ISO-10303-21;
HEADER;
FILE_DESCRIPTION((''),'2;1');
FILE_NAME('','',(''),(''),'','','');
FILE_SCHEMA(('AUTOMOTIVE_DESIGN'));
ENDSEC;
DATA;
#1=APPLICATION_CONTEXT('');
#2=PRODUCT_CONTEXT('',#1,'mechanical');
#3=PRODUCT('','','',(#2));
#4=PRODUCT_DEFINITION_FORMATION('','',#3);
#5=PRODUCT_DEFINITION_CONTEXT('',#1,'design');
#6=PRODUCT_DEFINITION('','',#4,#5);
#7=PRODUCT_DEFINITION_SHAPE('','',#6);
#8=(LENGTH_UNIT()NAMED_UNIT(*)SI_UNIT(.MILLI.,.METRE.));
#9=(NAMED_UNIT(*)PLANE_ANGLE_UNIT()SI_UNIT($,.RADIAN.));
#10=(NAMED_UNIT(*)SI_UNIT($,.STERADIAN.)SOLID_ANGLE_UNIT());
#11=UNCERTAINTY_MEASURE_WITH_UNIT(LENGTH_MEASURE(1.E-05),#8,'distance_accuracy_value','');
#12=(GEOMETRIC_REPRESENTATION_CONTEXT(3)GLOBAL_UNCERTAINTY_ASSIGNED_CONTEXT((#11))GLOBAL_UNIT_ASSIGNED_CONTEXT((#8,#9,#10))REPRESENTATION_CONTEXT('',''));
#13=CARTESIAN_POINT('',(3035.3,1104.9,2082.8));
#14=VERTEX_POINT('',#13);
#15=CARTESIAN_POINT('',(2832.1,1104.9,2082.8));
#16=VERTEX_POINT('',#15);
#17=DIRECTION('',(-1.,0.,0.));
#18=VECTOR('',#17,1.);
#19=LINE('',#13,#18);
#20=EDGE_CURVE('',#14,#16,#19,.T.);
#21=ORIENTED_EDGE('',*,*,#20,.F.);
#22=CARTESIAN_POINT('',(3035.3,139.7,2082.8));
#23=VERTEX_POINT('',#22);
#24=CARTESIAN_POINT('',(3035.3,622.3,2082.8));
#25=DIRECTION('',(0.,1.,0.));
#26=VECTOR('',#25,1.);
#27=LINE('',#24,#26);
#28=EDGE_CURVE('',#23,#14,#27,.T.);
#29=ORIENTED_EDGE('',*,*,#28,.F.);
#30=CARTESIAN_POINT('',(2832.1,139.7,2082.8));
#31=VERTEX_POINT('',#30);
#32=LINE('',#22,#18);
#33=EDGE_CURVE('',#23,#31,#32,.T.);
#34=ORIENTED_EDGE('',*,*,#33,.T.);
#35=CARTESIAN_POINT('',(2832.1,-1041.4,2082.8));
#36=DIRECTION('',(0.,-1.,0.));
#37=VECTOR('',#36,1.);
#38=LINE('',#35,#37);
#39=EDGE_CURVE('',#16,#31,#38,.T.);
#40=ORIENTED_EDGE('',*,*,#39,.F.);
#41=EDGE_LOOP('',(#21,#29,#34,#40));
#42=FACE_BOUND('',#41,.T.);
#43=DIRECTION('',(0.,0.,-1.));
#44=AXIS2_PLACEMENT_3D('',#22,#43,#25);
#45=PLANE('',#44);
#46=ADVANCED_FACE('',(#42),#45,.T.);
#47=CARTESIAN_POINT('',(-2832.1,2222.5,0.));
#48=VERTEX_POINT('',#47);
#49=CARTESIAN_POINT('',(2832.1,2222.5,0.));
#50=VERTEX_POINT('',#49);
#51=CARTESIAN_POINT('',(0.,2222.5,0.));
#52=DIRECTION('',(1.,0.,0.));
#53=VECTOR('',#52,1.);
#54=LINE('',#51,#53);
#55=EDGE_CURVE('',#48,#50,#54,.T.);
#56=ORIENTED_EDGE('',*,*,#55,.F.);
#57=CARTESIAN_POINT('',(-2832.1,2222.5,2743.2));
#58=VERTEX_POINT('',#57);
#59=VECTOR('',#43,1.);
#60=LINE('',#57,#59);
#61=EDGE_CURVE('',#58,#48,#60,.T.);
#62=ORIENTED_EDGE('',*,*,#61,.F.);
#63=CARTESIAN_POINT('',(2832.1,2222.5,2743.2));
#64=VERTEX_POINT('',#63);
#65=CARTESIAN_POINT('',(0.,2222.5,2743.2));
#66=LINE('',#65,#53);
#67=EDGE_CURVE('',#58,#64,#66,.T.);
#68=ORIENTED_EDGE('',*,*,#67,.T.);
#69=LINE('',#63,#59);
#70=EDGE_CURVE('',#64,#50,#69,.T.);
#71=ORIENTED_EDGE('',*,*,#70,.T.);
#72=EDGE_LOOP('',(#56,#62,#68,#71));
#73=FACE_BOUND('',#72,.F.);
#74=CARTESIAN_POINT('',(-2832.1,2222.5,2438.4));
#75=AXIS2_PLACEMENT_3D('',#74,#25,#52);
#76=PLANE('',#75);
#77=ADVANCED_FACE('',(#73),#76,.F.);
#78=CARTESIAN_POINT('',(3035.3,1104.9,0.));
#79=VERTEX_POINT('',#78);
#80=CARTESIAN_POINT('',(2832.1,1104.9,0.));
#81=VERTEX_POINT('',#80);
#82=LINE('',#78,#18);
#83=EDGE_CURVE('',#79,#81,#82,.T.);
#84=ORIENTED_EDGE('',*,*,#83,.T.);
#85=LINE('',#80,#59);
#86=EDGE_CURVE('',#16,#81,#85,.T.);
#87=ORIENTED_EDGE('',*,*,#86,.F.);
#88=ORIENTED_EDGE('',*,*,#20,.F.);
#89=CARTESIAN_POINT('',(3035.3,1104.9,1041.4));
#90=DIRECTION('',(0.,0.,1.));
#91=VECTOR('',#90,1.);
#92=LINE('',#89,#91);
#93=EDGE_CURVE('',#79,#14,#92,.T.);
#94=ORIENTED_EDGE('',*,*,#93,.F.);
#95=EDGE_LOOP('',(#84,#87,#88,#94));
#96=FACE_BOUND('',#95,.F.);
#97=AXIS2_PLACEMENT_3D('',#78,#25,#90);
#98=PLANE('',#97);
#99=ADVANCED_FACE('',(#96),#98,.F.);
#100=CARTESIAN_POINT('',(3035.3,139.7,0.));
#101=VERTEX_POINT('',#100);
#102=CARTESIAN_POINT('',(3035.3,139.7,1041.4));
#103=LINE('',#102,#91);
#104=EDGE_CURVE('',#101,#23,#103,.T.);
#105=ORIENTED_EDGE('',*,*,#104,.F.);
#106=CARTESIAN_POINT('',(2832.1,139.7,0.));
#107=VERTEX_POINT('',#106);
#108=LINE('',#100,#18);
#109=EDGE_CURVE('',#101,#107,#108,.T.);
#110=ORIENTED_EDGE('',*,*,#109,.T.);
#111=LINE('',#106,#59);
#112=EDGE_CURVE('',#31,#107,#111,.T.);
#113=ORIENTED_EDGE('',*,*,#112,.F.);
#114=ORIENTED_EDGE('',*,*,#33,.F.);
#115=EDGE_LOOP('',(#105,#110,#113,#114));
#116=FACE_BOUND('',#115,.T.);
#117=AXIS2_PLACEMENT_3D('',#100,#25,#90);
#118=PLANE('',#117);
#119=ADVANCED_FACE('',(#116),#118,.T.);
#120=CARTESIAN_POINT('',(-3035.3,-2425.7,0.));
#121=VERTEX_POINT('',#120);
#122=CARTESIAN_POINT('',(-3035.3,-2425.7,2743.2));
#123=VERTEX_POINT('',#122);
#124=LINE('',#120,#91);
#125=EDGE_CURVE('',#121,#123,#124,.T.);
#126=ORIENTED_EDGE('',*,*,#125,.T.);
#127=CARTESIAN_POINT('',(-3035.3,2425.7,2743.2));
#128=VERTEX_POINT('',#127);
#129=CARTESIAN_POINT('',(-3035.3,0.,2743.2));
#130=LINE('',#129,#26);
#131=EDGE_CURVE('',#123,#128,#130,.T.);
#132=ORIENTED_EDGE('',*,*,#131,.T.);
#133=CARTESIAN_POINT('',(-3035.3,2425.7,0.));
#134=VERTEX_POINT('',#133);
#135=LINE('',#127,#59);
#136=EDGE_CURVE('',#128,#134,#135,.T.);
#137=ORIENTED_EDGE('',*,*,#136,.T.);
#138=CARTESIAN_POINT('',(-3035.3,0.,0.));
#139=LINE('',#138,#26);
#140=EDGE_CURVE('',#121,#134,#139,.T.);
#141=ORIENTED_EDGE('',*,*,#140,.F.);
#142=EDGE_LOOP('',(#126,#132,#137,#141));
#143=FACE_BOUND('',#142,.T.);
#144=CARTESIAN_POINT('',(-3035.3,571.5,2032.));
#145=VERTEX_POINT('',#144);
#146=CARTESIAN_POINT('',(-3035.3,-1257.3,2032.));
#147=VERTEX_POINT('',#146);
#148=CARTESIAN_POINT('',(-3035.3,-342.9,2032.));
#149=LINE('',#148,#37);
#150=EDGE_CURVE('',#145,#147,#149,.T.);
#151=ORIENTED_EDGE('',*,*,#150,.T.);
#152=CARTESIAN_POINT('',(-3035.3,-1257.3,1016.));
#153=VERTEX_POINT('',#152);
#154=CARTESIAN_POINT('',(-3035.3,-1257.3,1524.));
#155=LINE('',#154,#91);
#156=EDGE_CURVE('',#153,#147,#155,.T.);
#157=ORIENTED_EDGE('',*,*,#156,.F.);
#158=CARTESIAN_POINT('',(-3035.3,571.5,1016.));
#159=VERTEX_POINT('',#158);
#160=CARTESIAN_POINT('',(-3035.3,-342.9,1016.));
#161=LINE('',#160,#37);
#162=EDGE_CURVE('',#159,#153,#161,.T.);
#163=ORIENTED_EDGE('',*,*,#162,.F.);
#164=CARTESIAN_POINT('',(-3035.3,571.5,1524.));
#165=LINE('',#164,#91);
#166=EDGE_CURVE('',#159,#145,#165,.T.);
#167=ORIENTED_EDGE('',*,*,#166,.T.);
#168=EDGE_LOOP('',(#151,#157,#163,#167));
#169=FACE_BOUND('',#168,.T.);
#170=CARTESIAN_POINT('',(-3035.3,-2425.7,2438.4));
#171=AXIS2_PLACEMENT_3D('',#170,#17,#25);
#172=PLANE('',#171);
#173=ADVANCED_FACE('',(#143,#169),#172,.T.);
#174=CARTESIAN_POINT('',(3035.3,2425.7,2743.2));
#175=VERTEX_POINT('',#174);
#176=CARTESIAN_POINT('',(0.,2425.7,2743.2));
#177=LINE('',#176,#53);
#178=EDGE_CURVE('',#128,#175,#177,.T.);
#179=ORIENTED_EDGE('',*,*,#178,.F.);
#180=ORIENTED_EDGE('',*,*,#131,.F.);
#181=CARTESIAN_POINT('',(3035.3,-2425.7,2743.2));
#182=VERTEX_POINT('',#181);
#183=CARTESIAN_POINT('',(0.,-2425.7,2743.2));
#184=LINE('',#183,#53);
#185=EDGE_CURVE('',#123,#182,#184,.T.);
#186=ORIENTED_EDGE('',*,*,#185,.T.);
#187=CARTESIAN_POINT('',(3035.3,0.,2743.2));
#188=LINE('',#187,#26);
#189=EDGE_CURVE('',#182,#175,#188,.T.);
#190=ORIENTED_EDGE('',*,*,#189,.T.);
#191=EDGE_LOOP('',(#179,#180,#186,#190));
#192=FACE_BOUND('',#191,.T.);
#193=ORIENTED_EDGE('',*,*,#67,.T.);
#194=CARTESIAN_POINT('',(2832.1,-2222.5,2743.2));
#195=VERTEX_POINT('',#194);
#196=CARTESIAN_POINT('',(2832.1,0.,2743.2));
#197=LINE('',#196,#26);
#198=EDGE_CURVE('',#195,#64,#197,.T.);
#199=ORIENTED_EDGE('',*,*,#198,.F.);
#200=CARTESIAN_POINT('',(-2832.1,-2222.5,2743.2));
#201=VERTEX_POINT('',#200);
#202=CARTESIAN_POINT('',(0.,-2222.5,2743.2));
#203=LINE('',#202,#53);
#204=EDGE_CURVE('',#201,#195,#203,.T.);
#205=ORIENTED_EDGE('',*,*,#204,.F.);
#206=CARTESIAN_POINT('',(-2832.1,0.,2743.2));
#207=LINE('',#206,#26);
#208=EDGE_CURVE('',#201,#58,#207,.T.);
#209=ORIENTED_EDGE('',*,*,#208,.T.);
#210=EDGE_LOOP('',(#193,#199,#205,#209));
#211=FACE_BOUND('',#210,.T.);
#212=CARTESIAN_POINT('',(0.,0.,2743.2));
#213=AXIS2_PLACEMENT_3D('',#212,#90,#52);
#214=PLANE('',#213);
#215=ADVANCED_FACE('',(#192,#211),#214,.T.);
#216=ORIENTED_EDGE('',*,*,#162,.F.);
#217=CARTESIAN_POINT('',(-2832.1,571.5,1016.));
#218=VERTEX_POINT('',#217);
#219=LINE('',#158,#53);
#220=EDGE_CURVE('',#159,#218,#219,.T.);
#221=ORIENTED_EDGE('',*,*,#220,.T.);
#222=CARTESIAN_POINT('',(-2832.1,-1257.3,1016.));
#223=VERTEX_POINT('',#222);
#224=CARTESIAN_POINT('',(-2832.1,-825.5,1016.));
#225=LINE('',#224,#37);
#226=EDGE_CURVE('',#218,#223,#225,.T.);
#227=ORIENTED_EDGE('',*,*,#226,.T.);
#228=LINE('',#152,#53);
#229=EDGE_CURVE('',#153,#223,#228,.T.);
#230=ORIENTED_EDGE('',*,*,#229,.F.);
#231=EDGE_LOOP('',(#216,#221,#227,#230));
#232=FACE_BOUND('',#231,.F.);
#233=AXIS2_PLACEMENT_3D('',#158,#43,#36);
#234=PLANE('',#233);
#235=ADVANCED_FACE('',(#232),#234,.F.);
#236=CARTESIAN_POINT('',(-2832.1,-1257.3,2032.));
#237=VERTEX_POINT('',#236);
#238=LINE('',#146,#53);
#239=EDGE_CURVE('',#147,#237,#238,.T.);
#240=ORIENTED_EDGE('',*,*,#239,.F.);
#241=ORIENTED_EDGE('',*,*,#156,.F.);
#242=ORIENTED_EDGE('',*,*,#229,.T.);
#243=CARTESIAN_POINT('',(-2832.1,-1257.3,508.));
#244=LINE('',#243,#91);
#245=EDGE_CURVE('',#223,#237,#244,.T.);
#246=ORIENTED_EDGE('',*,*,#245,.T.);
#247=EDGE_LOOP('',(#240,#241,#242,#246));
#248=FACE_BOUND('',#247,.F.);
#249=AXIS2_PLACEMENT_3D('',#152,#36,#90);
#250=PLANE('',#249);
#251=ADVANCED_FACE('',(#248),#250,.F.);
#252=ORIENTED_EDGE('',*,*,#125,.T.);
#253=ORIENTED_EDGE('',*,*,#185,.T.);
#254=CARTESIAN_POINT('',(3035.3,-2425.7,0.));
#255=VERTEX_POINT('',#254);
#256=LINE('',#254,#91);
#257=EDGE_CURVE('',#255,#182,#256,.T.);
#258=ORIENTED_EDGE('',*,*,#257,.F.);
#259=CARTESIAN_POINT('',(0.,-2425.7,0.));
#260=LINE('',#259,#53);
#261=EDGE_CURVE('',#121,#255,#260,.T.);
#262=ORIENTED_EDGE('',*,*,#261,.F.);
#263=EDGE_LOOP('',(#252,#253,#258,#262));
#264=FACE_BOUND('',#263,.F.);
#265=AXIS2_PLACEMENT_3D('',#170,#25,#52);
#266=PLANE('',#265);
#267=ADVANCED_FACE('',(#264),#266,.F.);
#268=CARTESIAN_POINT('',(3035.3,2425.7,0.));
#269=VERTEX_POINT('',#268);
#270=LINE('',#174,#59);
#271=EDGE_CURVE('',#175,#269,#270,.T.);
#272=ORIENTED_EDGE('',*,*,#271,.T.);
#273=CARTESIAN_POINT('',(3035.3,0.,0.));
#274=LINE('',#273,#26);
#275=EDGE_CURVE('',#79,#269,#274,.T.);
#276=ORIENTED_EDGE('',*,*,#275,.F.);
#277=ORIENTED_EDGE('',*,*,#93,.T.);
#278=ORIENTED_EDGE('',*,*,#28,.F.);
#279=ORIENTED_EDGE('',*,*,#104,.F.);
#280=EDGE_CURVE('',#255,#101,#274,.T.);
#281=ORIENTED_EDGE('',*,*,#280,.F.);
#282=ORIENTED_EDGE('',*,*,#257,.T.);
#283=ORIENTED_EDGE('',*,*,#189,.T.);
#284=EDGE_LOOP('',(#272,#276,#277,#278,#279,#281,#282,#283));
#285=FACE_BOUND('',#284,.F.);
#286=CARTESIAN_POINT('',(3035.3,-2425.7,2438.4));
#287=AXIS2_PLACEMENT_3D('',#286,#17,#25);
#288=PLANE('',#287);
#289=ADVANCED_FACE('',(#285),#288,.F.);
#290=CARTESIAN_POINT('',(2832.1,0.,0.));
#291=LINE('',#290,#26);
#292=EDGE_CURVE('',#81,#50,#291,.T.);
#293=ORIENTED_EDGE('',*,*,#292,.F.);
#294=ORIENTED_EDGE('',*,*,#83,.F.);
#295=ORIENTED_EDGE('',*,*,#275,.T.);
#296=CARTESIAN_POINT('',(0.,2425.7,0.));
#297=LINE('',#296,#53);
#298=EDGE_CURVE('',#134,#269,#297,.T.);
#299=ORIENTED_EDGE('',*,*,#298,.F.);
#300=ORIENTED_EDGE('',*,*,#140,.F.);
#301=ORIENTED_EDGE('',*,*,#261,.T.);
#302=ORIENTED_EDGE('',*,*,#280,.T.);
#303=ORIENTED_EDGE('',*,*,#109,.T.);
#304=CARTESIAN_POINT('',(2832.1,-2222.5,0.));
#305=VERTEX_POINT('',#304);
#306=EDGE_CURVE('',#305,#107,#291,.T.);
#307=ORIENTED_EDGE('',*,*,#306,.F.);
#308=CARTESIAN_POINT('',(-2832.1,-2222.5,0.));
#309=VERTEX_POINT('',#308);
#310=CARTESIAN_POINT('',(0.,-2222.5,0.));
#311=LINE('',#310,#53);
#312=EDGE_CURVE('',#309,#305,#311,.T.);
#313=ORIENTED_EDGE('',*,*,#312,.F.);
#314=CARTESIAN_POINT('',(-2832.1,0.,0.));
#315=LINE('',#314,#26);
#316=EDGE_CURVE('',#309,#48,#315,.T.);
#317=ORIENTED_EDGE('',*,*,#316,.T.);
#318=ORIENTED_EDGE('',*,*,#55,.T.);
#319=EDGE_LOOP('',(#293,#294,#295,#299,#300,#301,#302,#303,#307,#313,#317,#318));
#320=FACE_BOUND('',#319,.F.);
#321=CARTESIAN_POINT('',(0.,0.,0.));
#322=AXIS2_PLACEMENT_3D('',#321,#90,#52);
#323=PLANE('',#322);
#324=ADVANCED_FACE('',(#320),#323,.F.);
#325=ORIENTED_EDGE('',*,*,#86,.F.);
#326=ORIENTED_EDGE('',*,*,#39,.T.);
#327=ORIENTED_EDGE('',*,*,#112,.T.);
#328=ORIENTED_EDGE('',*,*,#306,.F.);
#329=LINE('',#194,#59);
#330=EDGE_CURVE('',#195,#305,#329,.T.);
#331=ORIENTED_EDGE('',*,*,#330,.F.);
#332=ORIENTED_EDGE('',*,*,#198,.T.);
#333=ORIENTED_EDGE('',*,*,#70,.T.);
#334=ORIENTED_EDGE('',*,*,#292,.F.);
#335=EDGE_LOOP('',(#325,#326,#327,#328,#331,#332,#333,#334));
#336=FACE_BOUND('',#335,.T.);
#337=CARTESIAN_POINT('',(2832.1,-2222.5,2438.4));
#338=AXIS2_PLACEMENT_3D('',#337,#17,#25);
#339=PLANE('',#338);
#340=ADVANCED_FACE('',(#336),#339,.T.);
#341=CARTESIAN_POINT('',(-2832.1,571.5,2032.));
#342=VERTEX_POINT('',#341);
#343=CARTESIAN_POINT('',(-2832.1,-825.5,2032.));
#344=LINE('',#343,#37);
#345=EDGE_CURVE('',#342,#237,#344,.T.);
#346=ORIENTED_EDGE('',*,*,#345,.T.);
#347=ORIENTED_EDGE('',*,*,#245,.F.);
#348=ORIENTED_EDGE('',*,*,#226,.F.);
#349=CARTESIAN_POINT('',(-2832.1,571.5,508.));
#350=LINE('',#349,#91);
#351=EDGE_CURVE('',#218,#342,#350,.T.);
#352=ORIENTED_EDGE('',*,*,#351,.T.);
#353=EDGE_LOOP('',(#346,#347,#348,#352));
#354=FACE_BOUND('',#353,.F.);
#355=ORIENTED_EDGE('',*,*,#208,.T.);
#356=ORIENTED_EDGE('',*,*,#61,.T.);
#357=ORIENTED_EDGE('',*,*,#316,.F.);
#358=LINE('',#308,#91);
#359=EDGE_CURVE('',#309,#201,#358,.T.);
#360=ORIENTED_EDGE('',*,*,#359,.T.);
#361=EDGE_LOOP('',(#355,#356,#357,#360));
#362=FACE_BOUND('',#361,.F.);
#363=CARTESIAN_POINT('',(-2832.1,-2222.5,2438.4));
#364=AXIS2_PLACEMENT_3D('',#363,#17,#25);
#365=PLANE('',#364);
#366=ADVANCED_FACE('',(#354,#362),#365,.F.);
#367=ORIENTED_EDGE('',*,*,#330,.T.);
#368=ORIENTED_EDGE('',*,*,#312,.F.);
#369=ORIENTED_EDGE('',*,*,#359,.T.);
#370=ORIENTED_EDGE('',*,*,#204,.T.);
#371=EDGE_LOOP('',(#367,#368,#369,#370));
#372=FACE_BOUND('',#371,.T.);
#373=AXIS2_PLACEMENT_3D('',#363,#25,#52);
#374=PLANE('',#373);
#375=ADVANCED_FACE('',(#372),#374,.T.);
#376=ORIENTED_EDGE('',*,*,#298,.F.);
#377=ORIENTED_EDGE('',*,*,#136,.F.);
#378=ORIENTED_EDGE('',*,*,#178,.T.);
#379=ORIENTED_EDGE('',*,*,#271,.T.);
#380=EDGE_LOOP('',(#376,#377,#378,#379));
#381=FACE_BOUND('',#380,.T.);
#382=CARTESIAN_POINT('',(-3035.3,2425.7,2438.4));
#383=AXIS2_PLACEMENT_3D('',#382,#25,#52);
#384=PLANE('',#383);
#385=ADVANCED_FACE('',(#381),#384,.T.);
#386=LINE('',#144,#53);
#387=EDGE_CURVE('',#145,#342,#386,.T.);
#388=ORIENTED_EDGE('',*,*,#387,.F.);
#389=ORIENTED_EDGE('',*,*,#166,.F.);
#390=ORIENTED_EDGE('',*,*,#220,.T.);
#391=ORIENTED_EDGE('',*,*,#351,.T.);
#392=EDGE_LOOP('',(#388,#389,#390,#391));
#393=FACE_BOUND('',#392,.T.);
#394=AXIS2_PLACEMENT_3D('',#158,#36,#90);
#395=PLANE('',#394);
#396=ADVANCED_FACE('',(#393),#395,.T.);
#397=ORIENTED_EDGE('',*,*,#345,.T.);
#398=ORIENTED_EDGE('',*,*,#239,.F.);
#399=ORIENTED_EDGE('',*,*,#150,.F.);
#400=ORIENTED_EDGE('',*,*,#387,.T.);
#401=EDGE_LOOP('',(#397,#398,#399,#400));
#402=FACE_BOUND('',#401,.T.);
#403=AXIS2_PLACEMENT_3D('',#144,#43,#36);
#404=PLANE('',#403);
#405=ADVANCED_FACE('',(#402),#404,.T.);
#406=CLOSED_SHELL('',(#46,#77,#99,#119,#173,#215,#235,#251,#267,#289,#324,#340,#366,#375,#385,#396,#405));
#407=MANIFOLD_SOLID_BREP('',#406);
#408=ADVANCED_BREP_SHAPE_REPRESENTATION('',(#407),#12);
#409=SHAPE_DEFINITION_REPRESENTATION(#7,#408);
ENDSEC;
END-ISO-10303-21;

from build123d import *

# Parameters (mm, degrees)
F0_W     = 6070.6
F0_H     = 4851.4
F0_W_2   = 5664.2
F0_H_2   = 4445
F1_DEPTH = 2438.4
F2_W     = 1828.8
F2_H     = 1016
F3_DEPTH = 254
F4_W     = 965.2
F4_H     = 2082.8
F5_DEPTH = 254
F6_DEPTH = 304.8


with BuildPart() as f1:
    # F0 (on Top) → F1 (new body)
    with BuildSketch(Plane.XY):
        Rectangle(F0_W, F0_H)
        Rectangle(F0_W_2, F0_H_2, mode=Mode.SUBTRACT)
    extrude(amount=F1_DEPTH)

    # F2 (on face) → F3 (cut)
    with BuildSketch(Plane(origin=(-3035.3, 0, 0), x_dir=(0, -1, 0), z_dir=(-1, 0, 0))):
        with Locations((342.9, 1524)):
            Rectangle(F2_W, F2_H)
    extrude(amount=-F3_DEPTH, mode=Mode.SUBTRACT)

    # F4 (on face) → F5 (cut)
    with BuildSketch(Plane.YZ.offset(3035.3)):
        with Locations((622.3, 1041.4)):
            Rectangle(F4_W, F4_H)
    extrude(amount=-F5_DEPTH, mode=Mode.SUBTRACT)

    # F6 (add): a face of the model
    f6_faces = [f1.faces().sort_by_distance(p)[0] for p in [
        (2957.5901123923, 0, 2438.4),
    ]]
    extrude(f6_faces, amount=F6_DEPTH)


solid = f1.part
